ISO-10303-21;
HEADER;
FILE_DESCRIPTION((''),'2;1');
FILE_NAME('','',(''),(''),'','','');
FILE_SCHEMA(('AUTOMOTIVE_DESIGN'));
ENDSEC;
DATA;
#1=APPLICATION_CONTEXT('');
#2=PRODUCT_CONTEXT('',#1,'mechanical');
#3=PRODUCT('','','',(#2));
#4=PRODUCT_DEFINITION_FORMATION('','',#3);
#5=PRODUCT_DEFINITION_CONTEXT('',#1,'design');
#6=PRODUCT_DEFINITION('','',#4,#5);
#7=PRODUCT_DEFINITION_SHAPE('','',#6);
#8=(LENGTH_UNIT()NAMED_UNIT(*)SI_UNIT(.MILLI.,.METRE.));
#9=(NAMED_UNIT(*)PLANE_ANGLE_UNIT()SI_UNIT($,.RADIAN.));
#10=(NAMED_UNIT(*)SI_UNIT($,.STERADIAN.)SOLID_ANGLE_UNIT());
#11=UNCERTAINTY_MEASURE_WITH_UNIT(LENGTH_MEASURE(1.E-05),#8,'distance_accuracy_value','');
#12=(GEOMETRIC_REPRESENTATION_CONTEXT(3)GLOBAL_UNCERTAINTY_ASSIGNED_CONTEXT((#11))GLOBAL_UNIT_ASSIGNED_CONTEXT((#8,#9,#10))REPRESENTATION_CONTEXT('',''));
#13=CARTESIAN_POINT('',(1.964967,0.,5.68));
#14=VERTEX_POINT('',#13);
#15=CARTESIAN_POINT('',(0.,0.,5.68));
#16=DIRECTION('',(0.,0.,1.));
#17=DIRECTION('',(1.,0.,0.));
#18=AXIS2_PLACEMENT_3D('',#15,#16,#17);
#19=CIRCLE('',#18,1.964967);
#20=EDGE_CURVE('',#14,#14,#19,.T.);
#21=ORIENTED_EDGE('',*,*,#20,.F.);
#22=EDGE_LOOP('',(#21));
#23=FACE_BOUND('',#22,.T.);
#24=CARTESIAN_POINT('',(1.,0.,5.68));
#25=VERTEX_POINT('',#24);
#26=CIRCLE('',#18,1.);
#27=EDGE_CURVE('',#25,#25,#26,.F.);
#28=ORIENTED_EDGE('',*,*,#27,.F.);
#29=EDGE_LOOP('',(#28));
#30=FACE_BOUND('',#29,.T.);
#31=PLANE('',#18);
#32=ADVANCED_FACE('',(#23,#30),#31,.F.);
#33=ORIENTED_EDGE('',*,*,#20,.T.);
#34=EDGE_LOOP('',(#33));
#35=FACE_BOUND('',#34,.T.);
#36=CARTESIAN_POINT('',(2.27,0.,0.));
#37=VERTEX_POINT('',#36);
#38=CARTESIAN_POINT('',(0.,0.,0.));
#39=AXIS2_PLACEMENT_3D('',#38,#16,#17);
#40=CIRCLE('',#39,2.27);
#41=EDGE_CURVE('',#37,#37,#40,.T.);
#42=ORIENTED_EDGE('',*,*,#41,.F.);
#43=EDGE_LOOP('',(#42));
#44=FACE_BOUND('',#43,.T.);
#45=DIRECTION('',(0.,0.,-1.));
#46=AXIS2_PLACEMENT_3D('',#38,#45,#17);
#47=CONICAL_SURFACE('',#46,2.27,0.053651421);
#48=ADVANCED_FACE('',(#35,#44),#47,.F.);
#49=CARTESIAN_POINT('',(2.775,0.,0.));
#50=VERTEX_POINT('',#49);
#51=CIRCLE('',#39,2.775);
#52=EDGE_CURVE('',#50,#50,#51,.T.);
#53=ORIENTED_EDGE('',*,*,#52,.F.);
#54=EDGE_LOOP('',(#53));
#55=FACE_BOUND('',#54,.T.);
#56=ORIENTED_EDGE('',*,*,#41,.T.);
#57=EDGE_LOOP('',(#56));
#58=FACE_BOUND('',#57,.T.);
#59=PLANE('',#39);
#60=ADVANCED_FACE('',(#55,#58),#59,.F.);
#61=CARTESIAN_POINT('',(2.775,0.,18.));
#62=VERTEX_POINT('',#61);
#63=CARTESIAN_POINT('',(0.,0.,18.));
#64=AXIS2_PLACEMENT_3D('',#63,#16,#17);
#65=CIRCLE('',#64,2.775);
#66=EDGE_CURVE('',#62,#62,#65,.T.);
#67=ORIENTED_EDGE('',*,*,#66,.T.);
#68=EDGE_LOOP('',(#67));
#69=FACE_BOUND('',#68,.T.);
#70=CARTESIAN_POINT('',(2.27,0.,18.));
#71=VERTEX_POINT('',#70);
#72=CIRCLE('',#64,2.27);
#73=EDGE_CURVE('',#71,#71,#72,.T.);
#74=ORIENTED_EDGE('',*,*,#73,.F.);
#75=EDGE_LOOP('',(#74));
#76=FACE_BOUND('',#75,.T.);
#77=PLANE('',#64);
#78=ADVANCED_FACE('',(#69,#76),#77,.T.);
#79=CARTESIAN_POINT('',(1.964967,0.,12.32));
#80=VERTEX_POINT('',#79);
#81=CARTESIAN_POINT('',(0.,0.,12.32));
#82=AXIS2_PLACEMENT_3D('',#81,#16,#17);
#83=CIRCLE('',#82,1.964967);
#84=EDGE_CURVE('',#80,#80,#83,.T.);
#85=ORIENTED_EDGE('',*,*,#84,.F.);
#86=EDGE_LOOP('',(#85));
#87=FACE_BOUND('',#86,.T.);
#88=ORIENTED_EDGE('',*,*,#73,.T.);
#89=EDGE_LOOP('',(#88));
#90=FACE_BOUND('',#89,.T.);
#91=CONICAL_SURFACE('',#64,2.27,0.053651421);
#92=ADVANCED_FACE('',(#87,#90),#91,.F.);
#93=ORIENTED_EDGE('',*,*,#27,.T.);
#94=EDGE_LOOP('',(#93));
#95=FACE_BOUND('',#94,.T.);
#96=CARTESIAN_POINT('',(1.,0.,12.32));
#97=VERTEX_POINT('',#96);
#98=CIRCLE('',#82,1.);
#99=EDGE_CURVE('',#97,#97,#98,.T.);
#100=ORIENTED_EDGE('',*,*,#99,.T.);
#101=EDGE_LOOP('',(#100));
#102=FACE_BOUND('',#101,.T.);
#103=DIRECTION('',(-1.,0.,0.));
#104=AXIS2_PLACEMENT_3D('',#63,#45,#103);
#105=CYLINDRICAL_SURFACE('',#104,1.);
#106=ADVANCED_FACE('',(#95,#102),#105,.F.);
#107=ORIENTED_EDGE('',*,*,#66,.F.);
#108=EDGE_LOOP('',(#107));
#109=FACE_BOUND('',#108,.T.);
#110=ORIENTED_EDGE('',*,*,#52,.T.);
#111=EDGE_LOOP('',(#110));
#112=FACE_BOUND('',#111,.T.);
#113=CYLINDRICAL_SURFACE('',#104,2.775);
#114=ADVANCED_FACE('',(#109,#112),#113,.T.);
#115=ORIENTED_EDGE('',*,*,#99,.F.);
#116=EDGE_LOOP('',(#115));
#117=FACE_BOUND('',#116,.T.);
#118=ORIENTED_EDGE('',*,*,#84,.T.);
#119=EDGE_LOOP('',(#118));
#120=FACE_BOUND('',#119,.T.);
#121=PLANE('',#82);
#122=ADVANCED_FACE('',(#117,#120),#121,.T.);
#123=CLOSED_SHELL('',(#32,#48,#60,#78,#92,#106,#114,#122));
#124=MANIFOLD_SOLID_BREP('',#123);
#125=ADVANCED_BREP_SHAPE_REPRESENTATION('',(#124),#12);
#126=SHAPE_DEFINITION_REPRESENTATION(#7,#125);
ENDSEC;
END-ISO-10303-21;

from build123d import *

# Parameters (mm, degrees)
SKETCH1_R           = 2.775
BOSS_EXTRUDE1_DEPTH = 18
SKETCH2_R           = 2.27
CUT_EXTRUDE1_DEPTH  = 5.68
CUT_EXTRUDE1_TAPER  = 3.074
SKETCH7_R           = 1
CUT_EXTRUDE2_DEPTH  = 19
SKETCH9_R           = 2.27
CUT_EXTRUDE3_DEPTH  = 5.68
CUT_EXTRUDE3_TAPER  = 3.074


with BuildPart() as part:
    # Sketch1 → Boss-Extrude1 (new body)
    with BuildSketch(Plane.XY):
        Circle(SKETCH1_R)
    extrude(amount=BOSS_EXTRUDE1_DEPTH)

    # Sketch2 → Cut-Extrude1 (cut)
    with BuildSketch(Plane.XY):
        Circle(SKETCH2_R)
    extrude(amount=CUT_EXTRUDE1_DEPTH, taper=CUT_EXTRUDE1_TAPER, mode=Mode.SUBTRACT)

    # Sketch7 → Cut-Extrude2 (cut, through all)
    with BuildSketch(Plane.XY):
        Circle(SKETCH7_R)
    extrude(amount=CUT_EXTRUDE2_DEPTH, mode=Mode.SUBTRACT)

    # Sketch9 → Cut-Extrude3 (cut)
    with BuildSketch(Plane.XY.offset(18)):
        Circle(SKETCH9_R)
    extrude(amount=-CUT_EXTRUDE3_DEPTH, taper=CUT_EXTRUDE3_TAPER, mode=Mode.SUBTRACT)


solid = part.part
